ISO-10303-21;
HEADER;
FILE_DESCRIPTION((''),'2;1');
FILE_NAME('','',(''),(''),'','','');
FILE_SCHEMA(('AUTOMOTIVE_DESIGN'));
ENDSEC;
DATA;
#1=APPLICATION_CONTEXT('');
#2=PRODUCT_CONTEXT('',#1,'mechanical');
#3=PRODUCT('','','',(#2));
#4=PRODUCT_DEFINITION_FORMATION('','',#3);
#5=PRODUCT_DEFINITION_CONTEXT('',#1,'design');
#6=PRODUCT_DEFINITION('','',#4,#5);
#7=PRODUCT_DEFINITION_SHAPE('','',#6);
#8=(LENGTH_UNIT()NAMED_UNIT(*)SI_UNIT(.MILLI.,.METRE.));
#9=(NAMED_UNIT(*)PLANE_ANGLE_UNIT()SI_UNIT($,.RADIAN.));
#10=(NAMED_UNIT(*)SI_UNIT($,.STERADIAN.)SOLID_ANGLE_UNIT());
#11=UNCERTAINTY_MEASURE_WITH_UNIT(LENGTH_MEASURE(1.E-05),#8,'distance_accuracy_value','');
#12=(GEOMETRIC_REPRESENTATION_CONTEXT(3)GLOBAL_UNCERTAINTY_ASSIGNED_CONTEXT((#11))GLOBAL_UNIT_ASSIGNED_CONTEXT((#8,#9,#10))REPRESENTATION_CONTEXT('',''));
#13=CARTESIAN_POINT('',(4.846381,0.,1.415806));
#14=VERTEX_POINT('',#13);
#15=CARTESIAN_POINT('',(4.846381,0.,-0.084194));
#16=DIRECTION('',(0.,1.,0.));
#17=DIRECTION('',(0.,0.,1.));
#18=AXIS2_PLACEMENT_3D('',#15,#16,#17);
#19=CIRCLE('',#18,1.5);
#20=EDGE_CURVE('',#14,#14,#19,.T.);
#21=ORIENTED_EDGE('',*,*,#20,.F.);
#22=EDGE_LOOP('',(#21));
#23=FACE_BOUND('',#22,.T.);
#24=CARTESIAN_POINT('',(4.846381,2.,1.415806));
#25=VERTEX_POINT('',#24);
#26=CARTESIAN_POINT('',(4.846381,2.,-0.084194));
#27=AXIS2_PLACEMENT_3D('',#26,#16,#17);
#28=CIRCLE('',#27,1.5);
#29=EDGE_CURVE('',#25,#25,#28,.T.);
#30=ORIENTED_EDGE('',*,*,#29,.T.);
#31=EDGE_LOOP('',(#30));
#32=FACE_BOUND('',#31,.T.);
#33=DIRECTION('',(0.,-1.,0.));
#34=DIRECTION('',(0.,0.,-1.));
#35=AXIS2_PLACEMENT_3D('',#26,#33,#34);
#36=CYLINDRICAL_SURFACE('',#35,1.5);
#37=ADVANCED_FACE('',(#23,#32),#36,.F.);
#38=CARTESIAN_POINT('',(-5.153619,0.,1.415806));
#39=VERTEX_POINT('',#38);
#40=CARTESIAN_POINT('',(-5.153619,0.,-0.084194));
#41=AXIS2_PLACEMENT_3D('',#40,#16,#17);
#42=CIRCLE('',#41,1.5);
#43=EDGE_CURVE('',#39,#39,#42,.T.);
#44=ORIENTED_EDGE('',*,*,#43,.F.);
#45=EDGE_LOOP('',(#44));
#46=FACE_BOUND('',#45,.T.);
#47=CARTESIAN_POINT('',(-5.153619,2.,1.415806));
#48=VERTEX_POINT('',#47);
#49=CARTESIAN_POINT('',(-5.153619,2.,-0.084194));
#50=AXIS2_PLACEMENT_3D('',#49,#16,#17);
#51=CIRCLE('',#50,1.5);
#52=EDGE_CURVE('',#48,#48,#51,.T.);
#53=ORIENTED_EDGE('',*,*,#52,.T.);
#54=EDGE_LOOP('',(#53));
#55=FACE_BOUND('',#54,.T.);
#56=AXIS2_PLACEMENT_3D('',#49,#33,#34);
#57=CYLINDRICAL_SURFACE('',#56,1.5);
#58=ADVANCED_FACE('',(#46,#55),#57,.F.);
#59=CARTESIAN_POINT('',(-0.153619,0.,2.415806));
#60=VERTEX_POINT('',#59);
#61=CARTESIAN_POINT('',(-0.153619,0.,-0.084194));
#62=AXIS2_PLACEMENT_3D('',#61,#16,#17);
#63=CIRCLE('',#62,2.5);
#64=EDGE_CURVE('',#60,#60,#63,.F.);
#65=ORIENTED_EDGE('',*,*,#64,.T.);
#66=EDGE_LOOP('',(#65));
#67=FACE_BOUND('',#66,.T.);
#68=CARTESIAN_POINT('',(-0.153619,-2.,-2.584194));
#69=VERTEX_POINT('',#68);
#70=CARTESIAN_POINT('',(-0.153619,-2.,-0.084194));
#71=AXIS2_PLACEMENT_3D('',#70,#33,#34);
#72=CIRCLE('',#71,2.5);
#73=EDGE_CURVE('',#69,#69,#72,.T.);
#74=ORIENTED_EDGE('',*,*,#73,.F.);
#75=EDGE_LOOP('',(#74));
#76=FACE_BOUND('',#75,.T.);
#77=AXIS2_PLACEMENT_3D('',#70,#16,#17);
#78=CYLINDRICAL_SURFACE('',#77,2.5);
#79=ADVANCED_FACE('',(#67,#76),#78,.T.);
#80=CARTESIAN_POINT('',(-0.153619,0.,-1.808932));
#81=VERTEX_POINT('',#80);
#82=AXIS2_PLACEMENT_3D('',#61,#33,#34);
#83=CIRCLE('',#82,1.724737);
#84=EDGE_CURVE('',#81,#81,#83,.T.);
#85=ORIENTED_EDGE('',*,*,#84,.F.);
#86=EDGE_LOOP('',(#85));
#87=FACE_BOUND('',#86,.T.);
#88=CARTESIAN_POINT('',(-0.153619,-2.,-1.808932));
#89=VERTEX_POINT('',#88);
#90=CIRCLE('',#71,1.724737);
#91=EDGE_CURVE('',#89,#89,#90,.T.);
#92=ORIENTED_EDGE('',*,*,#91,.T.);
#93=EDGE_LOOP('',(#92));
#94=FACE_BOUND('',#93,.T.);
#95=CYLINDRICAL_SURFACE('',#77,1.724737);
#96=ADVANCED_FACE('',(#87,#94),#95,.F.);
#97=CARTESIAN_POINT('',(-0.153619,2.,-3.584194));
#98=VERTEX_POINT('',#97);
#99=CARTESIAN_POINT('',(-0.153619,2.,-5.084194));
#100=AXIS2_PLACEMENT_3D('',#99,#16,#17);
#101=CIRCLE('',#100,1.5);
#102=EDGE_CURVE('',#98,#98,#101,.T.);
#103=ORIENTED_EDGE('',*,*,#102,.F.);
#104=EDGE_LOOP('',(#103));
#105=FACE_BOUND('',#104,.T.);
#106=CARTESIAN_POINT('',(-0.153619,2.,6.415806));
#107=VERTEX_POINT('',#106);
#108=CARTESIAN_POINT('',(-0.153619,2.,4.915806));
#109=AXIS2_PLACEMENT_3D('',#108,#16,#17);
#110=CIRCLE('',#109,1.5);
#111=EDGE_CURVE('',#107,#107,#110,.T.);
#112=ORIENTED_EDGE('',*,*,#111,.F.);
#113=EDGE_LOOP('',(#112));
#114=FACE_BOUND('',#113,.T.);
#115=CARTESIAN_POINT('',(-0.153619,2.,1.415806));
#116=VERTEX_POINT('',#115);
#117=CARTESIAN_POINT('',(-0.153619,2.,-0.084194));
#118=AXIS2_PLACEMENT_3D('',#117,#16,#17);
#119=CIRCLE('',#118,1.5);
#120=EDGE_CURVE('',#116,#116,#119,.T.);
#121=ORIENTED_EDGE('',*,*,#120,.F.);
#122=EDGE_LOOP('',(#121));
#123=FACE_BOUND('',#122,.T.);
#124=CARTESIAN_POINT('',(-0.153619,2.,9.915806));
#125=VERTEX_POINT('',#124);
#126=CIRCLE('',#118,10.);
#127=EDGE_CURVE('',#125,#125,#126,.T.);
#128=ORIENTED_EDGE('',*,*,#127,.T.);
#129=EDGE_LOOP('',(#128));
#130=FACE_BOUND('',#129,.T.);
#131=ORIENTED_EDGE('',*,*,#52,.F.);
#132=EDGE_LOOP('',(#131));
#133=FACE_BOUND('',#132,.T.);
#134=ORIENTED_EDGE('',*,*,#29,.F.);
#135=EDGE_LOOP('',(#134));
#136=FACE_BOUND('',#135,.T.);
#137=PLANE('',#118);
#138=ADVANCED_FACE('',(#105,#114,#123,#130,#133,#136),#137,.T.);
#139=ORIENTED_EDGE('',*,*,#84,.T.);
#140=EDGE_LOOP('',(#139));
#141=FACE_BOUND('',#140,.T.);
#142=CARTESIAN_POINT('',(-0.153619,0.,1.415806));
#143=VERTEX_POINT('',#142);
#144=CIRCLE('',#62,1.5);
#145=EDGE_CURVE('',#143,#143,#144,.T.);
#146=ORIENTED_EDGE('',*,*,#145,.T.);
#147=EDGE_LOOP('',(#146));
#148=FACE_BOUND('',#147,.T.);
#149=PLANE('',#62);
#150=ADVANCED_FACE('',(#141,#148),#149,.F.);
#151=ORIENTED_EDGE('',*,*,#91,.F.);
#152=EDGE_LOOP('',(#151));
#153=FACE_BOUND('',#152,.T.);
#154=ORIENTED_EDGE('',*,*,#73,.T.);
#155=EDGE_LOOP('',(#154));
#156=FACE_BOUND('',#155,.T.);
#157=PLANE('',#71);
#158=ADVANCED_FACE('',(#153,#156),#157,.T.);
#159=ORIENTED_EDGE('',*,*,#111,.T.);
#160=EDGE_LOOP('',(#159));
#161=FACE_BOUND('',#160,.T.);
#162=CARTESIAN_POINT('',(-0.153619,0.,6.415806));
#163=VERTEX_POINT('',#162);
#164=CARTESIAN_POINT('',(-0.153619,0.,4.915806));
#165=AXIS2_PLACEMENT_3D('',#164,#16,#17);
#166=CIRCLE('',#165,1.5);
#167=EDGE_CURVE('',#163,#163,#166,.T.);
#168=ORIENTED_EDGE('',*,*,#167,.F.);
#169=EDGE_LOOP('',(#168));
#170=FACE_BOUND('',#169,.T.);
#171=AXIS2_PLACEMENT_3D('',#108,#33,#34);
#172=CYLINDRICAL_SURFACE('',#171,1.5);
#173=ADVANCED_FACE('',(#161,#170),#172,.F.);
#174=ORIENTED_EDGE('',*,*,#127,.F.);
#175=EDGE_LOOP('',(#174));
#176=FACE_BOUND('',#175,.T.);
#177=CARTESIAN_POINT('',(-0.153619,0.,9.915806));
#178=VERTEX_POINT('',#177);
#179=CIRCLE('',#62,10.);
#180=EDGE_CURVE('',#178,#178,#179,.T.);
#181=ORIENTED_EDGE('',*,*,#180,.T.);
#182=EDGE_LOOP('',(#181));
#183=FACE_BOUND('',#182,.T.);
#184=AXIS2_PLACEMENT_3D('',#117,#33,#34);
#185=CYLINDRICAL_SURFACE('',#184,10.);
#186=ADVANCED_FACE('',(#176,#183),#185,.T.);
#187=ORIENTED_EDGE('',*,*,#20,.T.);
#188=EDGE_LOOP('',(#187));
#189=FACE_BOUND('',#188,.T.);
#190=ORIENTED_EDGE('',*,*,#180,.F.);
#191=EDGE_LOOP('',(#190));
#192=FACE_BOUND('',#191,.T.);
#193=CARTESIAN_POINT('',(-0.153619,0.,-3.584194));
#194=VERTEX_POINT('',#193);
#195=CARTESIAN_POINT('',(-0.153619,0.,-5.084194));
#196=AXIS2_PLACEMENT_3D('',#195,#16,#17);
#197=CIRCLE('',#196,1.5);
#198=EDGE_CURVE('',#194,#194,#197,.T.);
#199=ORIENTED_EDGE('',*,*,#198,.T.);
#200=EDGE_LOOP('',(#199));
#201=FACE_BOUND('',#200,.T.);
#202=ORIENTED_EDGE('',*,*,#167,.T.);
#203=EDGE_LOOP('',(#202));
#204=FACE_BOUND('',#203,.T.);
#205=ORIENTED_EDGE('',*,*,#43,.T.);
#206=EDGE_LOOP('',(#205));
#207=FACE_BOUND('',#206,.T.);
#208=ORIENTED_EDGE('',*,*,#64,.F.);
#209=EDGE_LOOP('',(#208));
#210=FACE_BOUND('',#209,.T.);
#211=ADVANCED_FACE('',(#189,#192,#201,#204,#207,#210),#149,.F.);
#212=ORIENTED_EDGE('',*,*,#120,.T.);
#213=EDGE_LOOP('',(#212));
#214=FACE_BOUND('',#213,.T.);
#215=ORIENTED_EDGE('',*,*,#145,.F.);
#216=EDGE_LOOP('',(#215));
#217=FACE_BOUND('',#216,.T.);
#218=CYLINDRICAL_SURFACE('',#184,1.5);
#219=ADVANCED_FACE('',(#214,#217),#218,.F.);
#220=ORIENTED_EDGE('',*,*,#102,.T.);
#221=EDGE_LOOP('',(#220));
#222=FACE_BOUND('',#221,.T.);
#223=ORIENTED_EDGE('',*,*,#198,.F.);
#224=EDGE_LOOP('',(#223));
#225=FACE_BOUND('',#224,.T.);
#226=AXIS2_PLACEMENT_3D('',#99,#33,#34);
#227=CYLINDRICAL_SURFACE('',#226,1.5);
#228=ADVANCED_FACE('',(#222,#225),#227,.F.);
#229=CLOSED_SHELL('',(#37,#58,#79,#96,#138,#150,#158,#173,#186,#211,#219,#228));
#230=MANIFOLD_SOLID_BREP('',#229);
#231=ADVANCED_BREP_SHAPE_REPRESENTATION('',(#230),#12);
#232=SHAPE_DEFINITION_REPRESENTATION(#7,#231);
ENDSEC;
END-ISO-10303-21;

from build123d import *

# Parameters (mm, degrees)
IZIM1_R                     = 10
IZIM1_R_2                   = 1.5
Y_KSEKLIK_EKSTR_ZYON1_DEPTH = 2
IZIM2_R                     = 2.5
IZIM2_R_2                   = 1.724737241
Y_KSEKLIK_EKSTR_ZYON2_DEPTH = 2


with BuildPart() as part:
    # Çizim1 → Yükseklik-Ekstrüzyon1 (new body)
    with BuildSketch(Plane(origin=(0, 0, 0), x_dir=(1, 0, 0), z_dir=(0, 1, 0))):
        with Locations(Location((-0.153619206, 0.084194337, 0), (0, 0, 270))):
            Circle(IZIM1_R)
        with Locations(Location((-0.153619206, 0.084194337, 0), (0, 0, 270))):
            Circle(IZIM1_R_2, mode=Mode.SUBTRACT)
        with Locations(Location((-0.153619206, 5.084194337, 0), (0, 0, 270))):
            Circle(IZIM1_R_2, mode=Mode.SUBTRACT)
        with Locations(Location((-5.153619206, 0.084194337, 0), (0, 0, 270))):
            Circle(IZIM1_R_2, mode=Mode.SUBTRACT)
        with Locations(Location((4.846380794, 0.084194337, 0), (0, 0, 270))):
            Circle(IZIM1_R_2, mode=Mode.SUBTRACT)
        with Locations(Location((-0.153619206, -4.915805663, 0), (0, 0, 270))):
            Circle(IZIM1_R_2, mode=Mode.SUBTRACT)
    extrude(amount=Y_KSEKLIK_EKSTR_ZYON1_DEPTH)

    # Çizim2 → Yükseklik-Ekstrüzyon2 (add)
    with BuildSketch(Plane.XZ):
        with Locations(Location((-0.153619206, -0.084194337, 0), (0, 0, 90))):
            Circle(IZIM2_R)
        with Locations(Location((-0.153619206, -0.084194337, 0), (0, 0, 270))):
            Circle(IZIM2_R_2, mode=Mode.SUBTRACT)
    extrude(amount=Y_KSEKLIK_EKSTR_ZYON2_DEPTH)


solid = part.part
